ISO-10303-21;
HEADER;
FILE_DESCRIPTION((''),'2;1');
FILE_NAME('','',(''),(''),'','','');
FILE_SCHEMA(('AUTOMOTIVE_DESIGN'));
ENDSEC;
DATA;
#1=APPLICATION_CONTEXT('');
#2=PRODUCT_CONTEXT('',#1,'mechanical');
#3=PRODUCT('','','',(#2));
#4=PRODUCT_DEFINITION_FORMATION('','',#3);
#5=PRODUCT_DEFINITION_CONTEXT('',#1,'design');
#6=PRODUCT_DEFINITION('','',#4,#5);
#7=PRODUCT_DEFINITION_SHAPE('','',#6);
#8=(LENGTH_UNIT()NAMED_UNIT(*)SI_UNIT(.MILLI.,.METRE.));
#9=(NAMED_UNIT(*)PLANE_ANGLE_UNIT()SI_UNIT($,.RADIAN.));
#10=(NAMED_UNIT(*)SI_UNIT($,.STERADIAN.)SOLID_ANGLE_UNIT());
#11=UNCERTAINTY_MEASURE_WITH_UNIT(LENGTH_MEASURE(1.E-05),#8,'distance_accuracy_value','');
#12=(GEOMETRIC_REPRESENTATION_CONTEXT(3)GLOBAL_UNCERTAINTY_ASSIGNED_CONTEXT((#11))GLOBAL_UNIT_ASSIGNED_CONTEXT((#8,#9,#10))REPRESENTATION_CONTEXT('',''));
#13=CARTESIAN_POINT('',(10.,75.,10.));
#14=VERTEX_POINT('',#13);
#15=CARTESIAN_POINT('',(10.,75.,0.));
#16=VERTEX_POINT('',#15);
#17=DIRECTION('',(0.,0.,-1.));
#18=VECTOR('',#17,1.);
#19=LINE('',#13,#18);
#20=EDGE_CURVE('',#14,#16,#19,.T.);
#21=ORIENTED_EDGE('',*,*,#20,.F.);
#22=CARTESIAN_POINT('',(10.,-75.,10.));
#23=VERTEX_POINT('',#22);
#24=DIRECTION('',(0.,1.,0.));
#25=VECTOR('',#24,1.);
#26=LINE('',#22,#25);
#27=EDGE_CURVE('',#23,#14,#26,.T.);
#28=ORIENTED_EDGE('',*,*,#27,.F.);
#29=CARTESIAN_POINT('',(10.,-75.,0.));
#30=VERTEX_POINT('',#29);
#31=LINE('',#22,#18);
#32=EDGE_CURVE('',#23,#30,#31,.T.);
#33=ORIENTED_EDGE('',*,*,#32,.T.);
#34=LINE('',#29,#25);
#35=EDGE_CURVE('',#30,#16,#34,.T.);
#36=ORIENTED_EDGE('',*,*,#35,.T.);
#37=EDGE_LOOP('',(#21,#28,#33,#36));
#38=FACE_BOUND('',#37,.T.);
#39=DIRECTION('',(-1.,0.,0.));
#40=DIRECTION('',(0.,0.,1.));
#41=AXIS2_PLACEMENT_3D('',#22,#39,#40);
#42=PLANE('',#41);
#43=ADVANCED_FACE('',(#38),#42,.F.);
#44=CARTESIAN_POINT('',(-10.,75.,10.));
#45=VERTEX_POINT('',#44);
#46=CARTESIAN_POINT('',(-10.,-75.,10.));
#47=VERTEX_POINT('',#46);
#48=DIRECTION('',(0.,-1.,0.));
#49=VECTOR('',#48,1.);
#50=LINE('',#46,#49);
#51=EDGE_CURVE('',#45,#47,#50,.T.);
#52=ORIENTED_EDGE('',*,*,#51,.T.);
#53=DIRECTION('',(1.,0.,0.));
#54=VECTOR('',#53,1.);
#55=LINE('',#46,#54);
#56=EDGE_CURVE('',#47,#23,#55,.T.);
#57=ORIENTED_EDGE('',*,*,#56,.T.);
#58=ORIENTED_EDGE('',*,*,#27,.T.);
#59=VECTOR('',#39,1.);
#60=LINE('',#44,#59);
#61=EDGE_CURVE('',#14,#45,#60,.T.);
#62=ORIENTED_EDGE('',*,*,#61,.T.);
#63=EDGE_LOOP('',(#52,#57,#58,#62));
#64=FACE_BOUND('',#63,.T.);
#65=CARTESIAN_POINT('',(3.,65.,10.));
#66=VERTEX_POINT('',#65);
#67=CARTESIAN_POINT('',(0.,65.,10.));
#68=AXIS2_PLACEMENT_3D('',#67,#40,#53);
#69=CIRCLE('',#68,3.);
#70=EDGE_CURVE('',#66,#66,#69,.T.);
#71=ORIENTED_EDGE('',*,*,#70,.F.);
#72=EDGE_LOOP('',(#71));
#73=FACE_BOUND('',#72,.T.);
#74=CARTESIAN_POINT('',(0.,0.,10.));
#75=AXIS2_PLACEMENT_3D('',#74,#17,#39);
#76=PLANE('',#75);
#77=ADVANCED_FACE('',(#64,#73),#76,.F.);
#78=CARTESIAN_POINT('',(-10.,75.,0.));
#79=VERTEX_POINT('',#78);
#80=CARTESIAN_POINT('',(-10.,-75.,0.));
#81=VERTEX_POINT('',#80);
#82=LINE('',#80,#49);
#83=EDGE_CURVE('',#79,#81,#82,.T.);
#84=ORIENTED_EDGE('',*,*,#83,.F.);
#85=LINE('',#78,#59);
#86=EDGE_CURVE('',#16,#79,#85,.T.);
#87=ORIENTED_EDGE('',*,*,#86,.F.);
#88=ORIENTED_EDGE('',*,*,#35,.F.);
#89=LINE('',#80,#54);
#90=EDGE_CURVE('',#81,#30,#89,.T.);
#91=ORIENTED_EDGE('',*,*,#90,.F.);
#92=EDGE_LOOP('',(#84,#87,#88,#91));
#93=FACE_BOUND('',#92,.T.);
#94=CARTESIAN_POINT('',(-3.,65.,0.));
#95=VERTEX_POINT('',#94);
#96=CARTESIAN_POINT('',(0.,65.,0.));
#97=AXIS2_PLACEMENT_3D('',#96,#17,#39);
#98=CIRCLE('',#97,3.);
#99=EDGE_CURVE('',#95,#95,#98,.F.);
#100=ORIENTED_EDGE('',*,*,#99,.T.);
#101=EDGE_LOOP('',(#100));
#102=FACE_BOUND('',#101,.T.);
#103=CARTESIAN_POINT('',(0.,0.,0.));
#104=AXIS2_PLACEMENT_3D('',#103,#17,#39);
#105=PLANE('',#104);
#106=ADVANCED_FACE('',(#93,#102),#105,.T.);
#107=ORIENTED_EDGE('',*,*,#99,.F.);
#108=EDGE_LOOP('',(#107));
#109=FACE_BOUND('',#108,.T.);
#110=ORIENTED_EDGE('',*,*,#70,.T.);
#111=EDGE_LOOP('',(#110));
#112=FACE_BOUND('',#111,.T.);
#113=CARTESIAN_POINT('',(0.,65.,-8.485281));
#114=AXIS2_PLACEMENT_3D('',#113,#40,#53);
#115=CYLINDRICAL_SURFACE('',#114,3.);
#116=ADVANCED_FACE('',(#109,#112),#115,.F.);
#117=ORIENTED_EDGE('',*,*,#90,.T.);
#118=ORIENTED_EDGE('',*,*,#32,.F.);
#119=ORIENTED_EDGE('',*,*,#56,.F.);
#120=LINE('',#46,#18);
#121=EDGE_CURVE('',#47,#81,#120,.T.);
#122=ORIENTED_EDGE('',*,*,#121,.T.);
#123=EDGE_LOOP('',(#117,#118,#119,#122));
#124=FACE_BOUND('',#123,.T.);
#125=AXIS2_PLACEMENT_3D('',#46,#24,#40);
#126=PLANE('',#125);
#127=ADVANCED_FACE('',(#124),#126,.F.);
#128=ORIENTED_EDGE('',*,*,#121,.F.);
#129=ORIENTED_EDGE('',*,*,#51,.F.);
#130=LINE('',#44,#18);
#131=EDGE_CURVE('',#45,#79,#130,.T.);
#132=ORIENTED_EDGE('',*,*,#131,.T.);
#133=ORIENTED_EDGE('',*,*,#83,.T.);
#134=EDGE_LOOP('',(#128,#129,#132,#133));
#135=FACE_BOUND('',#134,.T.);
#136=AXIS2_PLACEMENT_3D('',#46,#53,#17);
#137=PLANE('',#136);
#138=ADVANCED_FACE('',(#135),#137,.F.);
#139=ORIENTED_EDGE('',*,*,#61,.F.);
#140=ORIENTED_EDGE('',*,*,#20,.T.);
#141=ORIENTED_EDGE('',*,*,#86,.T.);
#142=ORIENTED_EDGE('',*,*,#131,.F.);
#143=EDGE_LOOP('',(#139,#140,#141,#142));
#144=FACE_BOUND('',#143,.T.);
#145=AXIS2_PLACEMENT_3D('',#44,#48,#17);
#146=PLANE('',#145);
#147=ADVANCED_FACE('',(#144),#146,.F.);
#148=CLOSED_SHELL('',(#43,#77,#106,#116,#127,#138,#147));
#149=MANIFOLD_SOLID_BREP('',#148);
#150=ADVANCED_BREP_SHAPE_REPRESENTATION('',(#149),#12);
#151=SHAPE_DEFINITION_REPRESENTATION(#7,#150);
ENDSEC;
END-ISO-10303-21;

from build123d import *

# Parameters (mm, degrees)
SKETCH2_W           = 20
SKETCH2_H           = 150
BOSS_EXTRUDE1_DEPTH = 10
SKETCH3_R           = 3
CUT_EXTRUDE1_DEPTH  = 10


with BuildPart() as part:
    # Sketch2 → Boss-Extrude1 (new body)
    with BuildSketch(Plane.XY):
        Rectangle(SKETCH2_W, SKETCH2_H)
    extrude(amount=BOSS_EXTRUDE1_DEPTH)

    # Sketch3 → Cut-Extrude1 (cut)
    with BuildSketch(Plane.XY.offset(10)):
        with Locations((0, 65)):
            Circle(SKETCH3_R)
    extrude(amount=-CUT_EXTRUDE1_DEPTH, mode=Mode.SUBTRACT)


solid = part.part
